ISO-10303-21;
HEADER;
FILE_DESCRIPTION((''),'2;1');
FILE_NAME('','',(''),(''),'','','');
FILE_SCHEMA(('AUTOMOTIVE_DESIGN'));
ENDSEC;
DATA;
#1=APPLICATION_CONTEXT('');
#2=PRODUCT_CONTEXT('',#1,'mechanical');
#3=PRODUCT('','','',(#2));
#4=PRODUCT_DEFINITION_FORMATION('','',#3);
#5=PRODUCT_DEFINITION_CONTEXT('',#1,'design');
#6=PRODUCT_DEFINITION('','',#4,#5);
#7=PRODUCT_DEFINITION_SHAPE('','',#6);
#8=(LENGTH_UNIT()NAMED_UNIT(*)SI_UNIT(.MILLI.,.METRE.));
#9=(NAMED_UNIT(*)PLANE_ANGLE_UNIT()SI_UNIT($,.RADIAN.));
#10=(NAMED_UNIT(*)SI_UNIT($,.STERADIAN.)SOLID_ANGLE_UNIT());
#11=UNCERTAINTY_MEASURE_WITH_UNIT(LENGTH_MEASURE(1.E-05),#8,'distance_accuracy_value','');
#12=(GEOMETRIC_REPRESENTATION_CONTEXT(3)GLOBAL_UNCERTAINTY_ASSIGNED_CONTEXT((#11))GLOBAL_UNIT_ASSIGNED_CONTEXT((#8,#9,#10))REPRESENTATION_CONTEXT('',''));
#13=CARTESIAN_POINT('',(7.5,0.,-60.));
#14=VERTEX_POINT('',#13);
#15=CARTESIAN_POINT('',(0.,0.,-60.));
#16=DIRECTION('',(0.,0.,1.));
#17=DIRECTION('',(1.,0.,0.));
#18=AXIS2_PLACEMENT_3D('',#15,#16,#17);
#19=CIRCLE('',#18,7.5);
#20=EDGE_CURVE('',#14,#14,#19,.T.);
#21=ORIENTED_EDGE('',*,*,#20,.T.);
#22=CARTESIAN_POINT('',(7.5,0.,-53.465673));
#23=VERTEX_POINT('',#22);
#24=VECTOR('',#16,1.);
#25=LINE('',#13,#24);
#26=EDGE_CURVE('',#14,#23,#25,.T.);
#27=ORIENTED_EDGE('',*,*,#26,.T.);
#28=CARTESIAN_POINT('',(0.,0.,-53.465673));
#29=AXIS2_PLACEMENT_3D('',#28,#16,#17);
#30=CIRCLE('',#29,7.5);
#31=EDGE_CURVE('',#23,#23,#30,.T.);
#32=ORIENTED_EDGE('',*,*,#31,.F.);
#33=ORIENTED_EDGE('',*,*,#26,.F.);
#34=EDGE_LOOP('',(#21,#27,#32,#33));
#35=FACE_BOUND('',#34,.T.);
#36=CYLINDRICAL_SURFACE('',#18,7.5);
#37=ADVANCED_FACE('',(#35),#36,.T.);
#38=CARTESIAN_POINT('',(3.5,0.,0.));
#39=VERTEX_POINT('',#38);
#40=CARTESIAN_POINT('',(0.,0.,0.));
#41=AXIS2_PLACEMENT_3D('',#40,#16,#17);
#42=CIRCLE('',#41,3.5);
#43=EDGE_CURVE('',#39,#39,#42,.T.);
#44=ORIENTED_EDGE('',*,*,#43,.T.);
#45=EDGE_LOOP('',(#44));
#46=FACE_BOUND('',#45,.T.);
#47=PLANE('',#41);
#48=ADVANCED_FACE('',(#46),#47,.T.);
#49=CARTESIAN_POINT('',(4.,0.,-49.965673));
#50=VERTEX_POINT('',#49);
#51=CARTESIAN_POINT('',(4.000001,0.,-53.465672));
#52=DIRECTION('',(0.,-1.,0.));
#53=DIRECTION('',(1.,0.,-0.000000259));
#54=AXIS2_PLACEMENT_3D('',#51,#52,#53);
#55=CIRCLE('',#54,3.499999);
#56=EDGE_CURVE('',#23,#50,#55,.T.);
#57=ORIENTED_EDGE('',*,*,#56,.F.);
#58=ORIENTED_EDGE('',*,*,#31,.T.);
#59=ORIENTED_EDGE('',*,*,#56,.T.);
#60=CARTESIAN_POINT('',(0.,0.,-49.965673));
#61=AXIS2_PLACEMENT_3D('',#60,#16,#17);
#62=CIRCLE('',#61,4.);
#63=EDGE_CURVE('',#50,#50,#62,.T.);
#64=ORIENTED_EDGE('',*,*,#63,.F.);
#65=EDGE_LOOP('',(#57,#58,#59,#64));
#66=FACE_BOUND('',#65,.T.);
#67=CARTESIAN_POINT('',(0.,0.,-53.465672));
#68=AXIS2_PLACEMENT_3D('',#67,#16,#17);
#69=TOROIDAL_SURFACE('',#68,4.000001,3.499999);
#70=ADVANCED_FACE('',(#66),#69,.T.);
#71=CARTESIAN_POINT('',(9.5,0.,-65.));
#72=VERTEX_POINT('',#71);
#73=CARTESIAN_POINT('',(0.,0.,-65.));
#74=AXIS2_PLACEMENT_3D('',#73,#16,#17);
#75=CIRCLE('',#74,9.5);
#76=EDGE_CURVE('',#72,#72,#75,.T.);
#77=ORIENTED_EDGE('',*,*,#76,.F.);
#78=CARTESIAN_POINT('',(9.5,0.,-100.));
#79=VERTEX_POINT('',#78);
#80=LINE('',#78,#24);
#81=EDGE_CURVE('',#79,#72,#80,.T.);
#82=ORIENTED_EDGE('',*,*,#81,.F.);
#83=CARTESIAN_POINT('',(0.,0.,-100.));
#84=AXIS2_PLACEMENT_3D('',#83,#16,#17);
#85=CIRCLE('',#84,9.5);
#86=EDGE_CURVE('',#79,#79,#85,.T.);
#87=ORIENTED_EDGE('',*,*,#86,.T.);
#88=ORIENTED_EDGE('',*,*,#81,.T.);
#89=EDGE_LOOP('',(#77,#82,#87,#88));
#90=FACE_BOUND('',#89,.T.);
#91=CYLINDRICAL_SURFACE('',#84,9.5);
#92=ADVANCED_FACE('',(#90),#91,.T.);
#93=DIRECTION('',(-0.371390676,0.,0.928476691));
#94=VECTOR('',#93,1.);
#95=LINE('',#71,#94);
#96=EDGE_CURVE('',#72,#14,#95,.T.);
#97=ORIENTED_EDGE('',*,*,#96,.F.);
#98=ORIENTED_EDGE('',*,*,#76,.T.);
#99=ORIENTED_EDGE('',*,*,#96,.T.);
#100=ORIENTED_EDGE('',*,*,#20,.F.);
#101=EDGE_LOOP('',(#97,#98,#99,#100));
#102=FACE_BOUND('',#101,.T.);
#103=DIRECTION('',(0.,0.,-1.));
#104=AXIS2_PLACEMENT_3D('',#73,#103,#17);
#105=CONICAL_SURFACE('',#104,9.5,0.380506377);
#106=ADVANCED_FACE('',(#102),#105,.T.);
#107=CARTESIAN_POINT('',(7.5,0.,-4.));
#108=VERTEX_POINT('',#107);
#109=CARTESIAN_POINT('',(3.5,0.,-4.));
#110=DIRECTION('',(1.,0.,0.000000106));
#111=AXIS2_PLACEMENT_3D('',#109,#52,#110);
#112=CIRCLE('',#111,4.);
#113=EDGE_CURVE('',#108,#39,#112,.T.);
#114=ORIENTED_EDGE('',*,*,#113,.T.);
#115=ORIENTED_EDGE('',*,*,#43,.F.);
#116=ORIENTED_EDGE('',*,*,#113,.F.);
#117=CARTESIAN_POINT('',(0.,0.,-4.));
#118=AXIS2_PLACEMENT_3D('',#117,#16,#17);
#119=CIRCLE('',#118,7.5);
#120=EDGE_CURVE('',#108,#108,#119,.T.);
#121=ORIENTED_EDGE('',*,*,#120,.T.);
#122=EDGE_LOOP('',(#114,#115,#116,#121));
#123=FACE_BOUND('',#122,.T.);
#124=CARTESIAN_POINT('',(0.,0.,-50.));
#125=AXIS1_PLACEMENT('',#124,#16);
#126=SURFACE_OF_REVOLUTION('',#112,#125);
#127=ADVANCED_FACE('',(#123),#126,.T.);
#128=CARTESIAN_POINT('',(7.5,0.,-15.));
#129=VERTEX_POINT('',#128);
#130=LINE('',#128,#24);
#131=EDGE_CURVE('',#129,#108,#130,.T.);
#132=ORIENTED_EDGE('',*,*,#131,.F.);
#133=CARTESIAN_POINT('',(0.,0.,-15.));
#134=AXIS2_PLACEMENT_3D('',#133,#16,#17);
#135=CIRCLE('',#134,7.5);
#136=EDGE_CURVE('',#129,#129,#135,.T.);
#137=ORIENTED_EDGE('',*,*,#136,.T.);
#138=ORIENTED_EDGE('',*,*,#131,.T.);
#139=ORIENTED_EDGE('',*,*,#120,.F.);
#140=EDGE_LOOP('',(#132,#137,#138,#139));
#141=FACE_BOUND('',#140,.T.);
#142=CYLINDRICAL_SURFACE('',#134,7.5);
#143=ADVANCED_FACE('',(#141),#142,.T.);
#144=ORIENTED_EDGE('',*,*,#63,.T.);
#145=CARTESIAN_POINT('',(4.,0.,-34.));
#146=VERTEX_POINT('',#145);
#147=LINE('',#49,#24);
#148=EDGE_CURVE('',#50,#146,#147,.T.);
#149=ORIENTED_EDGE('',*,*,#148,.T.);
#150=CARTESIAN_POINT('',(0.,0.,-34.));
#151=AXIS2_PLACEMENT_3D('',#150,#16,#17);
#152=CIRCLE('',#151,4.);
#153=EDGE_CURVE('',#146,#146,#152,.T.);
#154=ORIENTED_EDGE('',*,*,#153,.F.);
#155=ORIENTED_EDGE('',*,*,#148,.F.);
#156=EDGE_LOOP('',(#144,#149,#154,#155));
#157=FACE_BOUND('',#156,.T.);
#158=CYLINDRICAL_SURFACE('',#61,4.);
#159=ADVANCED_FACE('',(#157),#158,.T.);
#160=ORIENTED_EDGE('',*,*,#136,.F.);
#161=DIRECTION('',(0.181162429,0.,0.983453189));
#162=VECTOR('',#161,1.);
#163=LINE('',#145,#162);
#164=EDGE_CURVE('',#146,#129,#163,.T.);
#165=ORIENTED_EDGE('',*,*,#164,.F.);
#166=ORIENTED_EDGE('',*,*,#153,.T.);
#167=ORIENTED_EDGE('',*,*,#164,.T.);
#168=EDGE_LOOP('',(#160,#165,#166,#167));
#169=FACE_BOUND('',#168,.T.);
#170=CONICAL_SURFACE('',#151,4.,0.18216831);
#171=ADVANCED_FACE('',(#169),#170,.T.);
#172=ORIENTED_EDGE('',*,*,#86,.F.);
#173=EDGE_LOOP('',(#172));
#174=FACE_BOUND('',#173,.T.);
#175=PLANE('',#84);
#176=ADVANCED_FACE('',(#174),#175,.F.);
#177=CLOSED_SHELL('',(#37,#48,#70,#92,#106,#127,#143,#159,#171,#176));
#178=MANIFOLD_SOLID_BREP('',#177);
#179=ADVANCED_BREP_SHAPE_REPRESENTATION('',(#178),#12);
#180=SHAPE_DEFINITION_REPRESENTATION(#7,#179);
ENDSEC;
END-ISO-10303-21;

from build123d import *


with BuildPart() as f1:
    # F0 (on Front) → F1 (revolve)
    with BuildSketch(Plane.XZ):
        with BuildLine():
            Line((7.5, -15), (7.5, -4))
            ThreePointArc((7.5, -4), (6.328427, -1.171573), (3.5, 0))
            Line((3.5, 0), (0, 0))
            Line((0, 0), (0, -100))
            Line((0, -100), (9.5, -100))
            Line((9.5, -100), (9.5, -65))
            Line((9.5, -65), (7.5, -60))
            Line((7.5, -60), (7.5, -53.465673))
            ThreePointArc((7.5, -53.465673), (6.474874, -50.990799), (4, -49.965673))
            Line((4, -49.965673), (4, -34))
            Line((4, -34), (7.5, -15))
        make_face()
    revolve(axis=Axis((0, 0, -50), (0, 0, 1)))


solid = f1.part
